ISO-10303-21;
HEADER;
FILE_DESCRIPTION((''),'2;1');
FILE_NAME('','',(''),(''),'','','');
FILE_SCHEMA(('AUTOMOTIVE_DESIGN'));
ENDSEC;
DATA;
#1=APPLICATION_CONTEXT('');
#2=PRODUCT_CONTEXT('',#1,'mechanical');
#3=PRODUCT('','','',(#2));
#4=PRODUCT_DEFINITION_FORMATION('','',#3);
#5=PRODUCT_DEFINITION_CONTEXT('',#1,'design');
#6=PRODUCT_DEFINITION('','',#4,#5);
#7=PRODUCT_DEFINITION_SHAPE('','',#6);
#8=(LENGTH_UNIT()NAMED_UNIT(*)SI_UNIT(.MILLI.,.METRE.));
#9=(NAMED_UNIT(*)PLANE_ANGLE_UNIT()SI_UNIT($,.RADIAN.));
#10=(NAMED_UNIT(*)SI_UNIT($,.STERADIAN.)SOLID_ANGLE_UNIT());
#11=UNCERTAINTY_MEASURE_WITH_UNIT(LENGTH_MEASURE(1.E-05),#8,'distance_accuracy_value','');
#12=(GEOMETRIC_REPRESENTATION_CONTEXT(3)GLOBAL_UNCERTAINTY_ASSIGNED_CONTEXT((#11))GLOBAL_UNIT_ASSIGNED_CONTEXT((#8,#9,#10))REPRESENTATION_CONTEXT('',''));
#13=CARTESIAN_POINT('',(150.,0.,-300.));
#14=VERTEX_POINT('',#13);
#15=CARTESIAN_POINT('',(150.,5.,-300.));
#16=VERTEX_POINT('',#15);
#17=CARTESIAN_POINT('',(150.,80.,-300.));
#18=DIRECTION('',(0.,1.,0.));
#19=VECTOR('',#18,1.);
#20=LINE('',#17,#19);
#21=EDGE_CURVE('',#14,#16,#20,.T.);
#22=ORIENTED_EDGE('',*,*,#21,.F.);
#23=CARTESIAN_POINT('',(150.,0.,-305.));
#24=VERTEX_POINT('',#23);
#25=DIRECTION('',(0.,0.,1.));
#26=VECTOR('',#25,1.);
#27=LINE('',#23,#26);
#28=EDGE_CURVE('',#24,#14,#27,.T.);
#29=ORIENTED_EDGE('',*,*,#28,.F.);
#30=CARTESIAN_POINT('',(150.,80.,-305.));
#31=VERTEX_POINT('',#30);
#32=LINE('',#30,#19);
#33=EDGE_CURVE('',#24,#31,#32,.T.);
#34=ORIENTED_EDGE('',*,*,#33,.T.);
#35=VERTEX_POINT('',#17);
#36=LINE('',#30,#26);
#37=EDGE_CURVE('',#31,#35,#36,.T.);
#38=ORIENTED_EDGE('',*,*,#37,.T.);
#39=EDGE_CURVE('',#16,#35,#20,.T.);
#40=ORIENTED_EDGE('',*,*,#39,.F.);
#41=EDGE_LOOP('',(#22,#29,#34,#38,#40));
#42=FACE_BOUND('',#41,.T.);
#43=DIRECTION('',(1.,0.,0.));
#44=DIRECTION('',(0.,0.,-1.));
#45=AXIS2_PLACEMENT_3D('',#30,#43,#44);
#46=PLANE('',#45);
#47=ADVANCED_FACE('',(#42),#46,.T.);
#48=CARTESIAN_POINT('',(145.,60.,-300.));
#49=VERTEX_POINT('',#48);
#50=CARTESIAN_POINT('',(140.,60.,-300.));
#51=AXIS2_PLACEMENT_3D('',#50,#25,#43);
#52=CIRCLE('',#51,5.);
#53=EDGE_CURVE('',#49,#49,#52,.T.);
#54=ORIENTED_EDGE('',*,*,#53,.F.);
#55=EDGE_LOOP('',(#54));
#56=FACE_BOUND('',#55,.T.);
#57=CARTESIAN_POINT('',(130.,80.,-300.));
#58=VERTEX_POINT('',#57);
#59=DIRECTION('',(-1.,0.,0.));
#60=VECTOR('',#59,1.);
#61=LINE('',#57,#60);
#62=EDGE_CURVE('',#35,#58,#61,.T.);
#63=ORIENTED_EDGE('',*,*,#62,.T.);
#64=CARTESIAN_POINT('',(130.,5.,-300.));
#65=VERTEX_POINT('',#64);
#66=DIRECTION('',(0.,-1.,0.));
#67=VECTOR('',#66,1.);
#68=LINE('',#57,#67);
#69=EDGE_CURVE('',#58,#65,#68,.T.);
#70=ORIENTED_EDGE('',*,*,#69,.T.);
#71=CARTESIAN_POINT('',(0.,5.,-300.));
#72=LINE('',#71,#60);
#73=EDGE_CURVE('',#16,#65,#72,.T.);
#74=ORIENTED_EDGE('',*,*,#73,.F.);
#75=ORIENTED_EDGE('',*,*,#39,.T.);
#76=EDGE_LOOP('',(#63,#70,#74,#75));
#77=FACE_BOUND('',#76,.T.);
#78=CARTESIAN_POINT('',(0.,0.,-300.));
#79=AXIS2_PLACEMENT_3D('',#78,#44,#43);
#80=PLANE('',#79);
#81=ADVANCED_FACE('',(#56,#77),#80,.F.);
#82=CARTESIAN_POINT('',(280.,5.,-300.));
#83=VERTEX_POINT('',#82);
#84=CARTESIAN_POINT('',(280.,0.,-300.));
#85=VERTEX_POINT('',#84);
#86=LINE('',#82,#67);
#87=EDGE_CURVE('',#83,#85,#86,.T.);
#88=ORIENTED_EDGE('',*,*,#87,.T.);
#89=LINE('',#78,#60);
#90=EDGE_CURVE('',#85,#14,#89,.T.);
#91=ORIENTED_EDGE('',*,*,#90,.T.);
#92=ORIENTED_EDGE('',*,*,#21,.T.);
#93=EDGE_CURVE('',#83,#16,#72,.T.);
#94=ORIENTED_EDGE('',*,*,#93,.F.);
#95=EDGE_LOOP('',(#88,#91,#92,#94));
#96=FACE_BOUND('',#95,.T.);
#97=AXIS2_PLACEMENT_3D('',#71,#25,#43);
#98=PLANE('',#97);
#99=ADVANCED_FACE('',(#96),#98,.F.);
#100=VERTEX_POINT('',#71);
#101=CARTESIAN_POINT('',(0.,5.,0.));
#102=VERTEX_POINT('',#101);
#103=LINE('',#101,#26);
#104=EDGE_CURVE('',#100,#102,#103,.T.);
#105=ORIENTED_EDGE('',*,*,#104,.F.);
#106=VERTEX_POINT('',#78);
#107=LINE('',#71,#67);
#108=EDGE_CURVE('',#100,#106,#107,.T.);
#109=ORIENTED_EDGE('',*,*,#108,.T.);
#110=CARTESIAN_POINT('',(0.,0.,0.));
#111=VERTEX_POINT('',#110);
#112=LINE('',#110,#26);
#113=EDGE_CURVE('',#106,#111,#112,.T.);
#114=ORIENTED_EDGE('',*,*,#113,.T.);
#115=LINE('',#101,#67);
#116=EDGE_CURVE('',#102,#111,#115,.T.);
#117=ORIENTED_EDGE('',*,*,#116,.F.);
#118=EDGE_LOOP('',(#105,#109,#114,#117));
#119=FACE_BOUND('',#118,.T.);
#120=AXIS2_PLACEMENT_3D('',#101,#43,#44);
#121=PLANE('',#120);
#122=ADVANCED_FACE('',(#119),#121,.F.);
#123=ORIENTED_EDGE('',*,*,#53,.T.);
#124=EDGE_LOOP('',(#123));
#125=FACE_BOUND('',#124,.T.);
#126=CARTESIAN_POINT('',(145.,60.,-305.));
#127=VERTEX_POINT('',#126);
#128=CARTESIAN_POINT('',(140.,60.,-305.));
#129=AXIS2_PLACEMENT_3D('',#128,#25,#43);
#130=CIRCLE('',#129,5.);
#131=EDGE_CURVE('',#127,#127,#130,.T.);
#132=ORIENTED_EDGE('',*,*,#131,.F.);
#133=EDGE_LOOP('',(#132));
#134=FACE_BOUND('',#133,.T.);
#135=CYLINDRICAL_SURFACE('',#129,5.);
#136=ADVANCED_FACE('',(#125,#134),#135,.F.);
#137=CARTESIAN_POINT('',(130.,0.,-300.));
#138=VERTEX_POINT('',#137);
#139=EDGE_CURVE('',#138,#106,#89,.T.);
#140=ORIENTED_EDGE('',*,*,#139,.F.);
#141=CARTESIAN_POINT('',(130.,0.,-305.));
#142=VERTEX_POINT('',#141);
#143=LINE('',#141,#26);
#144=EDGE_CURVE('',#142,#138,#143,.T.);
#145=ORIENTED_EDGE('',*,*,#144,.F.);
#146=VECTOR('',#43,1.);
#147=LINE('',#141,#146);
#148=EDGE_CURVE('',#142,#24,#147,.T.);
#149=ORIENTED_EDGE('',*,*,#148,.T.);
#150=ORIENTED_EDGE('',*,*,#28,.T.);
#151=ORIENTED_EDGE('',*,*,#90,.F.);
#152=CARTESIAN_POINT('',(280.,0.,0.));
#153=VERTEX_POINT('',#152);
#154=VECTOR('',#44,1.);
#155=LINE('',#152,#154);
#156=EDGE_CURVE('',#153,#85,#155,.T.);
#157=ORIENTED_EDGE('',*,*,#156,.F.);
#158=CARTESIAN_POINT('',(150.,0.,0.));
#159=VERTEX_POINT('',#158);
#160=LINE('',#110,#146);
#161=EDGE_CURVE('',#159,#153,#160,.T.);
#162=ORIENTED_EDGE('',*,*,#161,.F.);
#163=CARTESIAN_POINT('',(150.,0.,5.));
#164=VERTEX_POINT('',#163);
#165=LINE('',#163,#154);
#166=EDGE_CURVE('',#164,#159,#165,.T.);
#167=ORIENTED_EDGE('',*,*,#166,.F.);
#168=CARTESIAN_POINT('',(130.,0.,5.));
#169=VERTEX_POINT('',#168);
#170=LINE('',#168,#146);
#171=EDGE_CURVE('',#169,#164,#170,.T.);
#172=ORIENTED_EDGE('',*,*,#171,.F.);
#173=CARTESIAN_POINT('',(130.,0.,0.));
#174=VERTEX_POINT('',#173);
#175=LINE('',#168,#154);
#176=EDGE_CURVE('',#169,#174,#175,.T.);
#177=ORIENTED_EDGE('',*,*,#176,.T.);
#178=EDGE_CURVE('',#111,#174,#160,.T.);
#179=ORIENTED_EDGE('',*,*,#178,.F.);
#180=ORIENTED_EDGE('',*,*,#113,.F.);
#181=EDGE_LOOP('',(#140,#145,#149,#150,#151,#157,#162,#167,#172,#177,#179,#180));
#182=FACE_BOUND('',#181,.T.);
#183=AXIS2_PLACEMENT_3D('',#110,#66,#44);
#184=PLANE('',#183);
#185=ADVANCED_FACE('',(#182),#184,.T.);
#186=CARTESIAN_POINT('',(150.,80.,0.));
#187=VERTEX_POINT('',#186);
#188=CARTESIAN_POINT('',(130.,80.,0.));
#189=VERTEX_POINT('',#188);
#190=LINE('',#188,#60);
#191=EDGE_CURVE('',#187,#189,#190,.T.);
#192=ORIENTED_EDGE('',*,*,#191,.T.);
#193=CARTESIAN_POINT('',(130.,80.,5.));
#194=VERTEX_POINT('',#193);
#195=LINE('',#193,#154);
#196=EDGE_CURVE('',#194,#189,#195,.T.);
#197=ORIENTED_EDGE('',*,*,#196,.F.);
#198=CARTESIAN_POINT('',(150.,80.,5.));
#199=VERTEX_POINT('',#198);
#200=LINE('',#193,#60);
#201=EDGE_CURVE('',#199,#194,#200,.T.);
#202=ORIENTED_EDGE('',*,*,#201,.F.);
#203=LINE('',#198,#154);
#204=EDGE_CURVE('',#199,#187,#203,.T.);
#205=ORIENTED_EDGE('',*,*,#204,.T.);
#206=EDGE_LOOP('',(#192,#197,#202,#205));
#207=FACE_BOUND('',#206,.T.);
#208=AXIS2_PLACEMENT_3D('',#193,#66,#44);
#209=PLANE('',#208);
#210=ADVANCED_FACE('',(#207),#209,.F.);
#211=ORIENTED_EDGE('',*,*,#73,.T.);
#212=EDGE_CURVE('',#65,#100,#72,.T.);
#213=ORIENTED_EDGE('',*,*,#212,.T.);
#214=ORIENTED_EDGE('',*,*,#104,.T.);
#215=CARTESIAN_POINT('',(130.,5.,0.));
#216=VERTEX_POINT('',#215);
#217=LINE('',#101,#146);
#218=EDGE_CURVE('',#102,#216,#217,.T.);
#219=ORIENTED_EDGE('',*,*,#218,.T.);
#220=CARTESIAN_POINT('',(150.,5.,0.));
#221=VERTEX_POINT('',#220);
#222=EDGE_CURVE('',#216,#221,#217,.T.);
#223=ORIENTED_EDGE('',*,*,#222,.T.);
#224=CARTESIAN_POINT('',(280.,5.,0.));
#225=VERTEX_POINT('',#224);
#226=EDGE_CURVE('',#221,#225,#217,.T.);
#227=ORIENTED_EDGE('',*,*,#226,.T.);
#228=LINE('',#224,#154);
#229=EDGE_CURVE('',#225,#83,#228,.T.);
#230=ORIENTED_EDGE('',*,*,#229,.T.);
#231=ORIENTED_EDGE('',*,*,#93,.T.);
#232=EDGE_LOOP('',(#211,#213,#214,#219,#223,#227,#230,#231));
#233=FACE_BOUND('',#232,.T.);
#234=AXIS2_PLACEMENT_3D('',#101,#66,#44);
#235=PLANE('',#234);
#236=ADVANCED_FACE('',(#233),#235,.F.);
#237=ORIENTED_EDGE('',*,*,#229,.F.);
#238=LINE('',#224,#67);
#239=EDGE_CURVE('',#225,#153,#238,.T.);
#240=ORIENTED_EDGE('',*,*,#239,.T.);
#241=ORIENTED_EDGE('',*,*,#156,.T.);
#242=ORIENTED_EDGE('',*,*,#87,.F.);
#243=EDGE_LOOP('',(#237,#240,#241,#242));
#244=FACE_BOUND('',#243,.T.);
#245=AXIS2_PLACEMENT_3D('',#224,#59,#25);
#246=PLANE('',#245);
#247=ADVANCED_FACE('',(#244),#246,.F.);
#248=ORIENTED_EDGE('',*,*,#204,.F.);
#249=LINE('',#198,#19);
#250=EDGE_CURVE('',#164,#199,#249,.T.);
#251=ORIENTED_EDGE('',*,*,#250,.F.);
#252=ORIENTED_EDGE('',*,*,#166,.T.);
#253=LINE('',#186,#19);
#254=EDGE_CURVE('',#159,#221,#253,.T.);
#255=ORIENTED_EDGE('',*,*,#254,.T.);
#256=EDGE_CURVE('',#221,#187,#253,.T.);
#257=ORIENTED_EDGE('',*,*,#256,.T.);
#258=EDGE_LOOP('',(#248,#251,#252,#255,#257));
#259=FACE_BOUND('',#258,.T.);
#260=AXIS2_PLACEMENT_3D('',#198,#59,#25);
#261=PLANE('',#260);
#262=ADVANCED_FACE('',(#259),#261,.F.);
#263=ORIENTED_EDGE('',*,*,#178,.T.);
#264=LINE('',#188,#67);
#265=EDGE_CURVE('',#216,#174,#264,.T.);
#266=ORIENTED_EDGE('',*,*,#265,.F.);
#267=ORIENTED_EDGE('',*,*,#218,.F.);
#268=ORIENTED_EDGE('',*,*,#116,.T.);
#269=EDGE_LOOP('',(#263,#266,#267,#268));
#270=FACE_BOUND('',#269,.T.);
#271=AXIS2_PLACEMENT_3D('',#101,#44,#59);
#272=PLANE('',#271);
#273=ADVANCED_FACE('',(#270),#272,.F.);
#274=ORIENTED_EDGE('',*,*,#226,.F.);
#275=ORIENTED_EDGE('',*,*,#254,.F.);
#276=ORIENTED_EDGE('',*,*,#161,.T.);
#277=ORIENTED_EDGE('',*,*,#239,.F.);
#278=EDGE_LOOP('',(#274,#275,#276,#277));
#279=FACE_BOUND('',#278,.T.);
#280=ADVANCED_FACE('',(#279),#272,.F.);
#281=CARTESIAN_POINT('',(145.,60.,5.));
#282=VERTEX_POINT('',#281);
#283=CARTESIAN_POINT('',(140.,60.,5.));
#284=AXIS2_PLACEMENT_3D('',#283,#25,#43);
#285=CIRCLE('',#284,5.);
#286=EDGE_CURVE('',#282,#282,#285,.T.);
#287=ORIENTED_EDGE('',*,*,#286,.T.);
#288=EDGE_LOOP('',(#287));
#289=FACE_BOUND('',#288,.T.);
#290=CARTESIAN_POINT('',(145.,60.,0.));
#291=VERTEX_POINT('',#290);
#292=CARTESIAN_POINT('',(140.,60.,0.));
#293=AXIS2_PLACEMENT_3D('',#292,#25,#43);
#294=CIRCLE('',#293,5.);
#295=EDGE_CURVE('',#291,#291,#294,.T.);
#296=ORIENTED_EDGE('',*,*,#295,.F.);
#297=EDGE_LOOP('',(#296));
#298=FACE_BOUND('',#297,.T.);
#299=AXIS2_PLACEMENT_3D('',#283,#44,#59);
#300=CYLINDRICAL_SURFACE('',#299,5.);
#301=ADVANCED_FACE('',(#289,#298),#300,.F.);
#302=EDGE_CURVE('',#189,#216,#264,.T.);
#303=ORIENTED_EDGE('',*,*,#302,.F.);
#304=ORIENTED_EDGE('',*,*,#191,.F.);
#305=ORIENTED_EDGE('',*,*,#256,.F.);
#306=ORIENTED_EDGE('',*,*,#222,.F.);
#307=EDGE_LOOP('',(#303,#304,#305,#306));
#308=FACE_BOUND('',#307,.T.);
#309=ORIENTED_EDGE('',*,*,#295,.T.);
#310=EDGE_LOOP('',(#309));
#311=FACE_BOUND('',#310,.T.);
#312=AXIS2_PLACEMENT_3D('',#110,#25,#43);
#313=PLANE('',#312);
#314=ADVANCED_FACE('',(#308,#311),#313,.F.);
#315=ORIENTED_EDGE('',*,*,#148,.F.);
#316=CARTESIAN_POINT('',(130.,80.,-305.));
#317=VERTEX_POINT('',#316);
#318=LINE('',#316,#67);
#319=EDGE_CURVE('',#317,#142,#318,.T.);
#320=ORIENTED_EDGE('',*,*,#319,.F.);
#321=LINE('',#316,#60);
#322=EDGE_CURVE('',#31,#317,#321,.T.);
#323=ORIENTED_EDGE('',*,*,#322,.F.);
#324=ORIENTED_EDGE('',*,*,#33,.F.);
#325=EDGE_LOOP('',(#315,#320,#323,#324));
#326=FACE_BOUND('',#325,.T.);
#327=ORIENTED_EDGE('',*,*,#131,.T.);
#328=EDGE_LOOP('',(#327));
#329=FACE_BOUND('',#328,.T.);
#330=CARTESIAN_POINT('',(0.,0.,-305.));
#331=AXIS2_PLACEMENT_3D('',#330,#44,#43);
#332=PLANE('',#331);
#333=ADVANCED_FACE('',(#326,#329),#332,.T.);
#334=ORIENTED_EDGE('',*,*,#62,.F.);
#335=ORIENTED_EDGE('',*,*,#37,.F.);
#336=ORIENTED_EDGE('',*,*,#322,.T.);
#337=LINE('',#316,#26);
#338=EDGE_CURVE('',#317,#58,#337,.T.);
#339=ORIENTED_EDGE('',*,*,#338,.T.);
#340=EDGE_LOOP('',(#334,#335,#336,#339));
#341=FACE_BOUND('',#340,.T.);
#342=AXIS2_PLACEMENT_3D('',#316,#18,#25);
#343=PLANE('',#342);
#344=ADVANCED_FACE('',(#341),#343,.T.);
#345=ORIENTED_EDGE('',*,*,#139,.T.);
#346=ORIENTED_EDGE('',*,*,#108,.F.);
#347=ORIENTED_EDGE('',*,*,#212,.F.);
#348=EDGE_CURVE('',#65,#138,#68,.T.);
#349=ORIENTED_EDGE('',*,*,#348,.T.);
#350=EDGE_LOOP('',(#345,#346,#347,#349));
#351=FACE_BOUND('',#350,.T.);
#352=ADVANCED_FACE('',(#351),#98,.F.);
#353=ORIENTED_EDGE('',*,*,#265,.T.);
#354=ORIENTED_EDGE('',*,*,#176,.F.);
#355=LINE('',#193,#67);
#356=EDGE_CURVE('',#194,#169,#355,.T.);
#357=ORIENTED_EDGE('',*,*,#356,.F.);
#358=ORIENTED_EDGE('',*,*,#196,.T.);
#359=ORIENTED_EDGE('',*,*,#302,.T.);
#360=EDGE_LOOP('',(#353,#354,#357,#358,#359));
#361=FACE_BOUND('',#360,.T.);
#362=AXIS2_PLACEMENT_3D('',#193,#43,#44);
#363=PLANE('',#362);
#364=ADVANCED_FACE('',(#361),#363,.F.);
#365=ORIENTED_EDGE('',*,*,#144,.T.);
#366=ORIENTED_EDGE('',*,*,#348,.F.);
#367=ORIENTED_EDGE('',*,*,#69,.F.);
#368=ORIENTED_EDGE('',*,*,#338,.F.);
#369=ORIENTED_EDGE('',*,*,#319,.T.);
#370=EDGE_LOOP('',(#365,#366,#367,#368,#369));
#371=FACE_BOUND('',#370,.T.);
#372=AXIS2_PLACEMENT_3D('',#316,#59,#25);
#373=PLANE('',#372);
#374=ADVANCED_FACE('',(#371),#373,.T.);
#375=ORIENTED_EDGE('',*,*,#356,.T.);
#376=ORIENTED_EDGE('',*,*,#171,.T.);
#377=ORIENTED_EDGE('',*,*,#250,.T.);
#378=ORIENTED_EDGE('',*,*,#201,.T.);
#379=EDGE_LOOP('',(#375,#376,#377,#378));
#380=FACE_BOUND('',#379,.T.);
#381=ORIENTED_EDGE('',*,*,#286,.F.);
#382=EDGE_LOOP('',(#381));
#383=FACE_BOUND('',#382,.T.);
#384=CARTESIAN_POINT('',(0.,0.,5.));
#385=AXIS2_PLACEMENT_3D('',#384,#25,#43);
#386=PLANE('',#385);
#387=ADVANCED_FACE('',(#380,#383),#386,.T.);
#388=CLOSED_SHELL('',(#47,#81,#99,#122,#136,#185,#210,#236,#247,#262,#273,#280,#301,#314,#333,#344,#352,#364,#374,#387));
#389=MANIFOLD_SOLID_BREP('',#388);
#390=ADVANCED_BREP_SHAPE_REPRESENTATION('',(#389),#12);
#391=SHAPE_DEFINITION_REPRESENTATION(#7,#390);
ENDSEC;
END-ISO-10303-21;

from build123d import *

# Parameters (mm, degrees)
SKETCH1_W           = 280
SKETCH1_H           = 300
BOSS_EXTRUDE1_DEPTH = 5
SKETCH2_W           = 20
SKETCH2_H           = 80
SKETCH2_R           = 5
BOSS_EXTRUDE2_DEPTH = 5


with BuildPart() as part:
    # Sketch1 → Boss-Extrude1 (new body)
    with BuildSketch(Plane(origin=(0, 0, 0), x_dir=(1, 0, 0), z_dir=(0, 1, 0))):
        with Locations((140, 150)):
            Rectangle(SKETCH1_W, SKETCH1_H)
    extrude(amount=BOSS_EXTRUDE1_DEPTH)

    # Sketch2 → Boss-Extrude2 (add)
    with BuildSketch(Plane.XY):
        with Locations((140, 40)):
            Rectangle(SKETCH2_W, SKETCH2_H)
        with Locations((140, 60)):
            Circle(SKETCH2_R, mode=Mode.SUBTRACT)
    boss_extrude2 = extrude(amount=BOSS_EXTRUDE2_DEPTH)

    # Mirror1: Boss-Extrude2 across plane
    add(boss_extrude2.mirror(Plane.XY.offset(-150)))


solid = part.part
